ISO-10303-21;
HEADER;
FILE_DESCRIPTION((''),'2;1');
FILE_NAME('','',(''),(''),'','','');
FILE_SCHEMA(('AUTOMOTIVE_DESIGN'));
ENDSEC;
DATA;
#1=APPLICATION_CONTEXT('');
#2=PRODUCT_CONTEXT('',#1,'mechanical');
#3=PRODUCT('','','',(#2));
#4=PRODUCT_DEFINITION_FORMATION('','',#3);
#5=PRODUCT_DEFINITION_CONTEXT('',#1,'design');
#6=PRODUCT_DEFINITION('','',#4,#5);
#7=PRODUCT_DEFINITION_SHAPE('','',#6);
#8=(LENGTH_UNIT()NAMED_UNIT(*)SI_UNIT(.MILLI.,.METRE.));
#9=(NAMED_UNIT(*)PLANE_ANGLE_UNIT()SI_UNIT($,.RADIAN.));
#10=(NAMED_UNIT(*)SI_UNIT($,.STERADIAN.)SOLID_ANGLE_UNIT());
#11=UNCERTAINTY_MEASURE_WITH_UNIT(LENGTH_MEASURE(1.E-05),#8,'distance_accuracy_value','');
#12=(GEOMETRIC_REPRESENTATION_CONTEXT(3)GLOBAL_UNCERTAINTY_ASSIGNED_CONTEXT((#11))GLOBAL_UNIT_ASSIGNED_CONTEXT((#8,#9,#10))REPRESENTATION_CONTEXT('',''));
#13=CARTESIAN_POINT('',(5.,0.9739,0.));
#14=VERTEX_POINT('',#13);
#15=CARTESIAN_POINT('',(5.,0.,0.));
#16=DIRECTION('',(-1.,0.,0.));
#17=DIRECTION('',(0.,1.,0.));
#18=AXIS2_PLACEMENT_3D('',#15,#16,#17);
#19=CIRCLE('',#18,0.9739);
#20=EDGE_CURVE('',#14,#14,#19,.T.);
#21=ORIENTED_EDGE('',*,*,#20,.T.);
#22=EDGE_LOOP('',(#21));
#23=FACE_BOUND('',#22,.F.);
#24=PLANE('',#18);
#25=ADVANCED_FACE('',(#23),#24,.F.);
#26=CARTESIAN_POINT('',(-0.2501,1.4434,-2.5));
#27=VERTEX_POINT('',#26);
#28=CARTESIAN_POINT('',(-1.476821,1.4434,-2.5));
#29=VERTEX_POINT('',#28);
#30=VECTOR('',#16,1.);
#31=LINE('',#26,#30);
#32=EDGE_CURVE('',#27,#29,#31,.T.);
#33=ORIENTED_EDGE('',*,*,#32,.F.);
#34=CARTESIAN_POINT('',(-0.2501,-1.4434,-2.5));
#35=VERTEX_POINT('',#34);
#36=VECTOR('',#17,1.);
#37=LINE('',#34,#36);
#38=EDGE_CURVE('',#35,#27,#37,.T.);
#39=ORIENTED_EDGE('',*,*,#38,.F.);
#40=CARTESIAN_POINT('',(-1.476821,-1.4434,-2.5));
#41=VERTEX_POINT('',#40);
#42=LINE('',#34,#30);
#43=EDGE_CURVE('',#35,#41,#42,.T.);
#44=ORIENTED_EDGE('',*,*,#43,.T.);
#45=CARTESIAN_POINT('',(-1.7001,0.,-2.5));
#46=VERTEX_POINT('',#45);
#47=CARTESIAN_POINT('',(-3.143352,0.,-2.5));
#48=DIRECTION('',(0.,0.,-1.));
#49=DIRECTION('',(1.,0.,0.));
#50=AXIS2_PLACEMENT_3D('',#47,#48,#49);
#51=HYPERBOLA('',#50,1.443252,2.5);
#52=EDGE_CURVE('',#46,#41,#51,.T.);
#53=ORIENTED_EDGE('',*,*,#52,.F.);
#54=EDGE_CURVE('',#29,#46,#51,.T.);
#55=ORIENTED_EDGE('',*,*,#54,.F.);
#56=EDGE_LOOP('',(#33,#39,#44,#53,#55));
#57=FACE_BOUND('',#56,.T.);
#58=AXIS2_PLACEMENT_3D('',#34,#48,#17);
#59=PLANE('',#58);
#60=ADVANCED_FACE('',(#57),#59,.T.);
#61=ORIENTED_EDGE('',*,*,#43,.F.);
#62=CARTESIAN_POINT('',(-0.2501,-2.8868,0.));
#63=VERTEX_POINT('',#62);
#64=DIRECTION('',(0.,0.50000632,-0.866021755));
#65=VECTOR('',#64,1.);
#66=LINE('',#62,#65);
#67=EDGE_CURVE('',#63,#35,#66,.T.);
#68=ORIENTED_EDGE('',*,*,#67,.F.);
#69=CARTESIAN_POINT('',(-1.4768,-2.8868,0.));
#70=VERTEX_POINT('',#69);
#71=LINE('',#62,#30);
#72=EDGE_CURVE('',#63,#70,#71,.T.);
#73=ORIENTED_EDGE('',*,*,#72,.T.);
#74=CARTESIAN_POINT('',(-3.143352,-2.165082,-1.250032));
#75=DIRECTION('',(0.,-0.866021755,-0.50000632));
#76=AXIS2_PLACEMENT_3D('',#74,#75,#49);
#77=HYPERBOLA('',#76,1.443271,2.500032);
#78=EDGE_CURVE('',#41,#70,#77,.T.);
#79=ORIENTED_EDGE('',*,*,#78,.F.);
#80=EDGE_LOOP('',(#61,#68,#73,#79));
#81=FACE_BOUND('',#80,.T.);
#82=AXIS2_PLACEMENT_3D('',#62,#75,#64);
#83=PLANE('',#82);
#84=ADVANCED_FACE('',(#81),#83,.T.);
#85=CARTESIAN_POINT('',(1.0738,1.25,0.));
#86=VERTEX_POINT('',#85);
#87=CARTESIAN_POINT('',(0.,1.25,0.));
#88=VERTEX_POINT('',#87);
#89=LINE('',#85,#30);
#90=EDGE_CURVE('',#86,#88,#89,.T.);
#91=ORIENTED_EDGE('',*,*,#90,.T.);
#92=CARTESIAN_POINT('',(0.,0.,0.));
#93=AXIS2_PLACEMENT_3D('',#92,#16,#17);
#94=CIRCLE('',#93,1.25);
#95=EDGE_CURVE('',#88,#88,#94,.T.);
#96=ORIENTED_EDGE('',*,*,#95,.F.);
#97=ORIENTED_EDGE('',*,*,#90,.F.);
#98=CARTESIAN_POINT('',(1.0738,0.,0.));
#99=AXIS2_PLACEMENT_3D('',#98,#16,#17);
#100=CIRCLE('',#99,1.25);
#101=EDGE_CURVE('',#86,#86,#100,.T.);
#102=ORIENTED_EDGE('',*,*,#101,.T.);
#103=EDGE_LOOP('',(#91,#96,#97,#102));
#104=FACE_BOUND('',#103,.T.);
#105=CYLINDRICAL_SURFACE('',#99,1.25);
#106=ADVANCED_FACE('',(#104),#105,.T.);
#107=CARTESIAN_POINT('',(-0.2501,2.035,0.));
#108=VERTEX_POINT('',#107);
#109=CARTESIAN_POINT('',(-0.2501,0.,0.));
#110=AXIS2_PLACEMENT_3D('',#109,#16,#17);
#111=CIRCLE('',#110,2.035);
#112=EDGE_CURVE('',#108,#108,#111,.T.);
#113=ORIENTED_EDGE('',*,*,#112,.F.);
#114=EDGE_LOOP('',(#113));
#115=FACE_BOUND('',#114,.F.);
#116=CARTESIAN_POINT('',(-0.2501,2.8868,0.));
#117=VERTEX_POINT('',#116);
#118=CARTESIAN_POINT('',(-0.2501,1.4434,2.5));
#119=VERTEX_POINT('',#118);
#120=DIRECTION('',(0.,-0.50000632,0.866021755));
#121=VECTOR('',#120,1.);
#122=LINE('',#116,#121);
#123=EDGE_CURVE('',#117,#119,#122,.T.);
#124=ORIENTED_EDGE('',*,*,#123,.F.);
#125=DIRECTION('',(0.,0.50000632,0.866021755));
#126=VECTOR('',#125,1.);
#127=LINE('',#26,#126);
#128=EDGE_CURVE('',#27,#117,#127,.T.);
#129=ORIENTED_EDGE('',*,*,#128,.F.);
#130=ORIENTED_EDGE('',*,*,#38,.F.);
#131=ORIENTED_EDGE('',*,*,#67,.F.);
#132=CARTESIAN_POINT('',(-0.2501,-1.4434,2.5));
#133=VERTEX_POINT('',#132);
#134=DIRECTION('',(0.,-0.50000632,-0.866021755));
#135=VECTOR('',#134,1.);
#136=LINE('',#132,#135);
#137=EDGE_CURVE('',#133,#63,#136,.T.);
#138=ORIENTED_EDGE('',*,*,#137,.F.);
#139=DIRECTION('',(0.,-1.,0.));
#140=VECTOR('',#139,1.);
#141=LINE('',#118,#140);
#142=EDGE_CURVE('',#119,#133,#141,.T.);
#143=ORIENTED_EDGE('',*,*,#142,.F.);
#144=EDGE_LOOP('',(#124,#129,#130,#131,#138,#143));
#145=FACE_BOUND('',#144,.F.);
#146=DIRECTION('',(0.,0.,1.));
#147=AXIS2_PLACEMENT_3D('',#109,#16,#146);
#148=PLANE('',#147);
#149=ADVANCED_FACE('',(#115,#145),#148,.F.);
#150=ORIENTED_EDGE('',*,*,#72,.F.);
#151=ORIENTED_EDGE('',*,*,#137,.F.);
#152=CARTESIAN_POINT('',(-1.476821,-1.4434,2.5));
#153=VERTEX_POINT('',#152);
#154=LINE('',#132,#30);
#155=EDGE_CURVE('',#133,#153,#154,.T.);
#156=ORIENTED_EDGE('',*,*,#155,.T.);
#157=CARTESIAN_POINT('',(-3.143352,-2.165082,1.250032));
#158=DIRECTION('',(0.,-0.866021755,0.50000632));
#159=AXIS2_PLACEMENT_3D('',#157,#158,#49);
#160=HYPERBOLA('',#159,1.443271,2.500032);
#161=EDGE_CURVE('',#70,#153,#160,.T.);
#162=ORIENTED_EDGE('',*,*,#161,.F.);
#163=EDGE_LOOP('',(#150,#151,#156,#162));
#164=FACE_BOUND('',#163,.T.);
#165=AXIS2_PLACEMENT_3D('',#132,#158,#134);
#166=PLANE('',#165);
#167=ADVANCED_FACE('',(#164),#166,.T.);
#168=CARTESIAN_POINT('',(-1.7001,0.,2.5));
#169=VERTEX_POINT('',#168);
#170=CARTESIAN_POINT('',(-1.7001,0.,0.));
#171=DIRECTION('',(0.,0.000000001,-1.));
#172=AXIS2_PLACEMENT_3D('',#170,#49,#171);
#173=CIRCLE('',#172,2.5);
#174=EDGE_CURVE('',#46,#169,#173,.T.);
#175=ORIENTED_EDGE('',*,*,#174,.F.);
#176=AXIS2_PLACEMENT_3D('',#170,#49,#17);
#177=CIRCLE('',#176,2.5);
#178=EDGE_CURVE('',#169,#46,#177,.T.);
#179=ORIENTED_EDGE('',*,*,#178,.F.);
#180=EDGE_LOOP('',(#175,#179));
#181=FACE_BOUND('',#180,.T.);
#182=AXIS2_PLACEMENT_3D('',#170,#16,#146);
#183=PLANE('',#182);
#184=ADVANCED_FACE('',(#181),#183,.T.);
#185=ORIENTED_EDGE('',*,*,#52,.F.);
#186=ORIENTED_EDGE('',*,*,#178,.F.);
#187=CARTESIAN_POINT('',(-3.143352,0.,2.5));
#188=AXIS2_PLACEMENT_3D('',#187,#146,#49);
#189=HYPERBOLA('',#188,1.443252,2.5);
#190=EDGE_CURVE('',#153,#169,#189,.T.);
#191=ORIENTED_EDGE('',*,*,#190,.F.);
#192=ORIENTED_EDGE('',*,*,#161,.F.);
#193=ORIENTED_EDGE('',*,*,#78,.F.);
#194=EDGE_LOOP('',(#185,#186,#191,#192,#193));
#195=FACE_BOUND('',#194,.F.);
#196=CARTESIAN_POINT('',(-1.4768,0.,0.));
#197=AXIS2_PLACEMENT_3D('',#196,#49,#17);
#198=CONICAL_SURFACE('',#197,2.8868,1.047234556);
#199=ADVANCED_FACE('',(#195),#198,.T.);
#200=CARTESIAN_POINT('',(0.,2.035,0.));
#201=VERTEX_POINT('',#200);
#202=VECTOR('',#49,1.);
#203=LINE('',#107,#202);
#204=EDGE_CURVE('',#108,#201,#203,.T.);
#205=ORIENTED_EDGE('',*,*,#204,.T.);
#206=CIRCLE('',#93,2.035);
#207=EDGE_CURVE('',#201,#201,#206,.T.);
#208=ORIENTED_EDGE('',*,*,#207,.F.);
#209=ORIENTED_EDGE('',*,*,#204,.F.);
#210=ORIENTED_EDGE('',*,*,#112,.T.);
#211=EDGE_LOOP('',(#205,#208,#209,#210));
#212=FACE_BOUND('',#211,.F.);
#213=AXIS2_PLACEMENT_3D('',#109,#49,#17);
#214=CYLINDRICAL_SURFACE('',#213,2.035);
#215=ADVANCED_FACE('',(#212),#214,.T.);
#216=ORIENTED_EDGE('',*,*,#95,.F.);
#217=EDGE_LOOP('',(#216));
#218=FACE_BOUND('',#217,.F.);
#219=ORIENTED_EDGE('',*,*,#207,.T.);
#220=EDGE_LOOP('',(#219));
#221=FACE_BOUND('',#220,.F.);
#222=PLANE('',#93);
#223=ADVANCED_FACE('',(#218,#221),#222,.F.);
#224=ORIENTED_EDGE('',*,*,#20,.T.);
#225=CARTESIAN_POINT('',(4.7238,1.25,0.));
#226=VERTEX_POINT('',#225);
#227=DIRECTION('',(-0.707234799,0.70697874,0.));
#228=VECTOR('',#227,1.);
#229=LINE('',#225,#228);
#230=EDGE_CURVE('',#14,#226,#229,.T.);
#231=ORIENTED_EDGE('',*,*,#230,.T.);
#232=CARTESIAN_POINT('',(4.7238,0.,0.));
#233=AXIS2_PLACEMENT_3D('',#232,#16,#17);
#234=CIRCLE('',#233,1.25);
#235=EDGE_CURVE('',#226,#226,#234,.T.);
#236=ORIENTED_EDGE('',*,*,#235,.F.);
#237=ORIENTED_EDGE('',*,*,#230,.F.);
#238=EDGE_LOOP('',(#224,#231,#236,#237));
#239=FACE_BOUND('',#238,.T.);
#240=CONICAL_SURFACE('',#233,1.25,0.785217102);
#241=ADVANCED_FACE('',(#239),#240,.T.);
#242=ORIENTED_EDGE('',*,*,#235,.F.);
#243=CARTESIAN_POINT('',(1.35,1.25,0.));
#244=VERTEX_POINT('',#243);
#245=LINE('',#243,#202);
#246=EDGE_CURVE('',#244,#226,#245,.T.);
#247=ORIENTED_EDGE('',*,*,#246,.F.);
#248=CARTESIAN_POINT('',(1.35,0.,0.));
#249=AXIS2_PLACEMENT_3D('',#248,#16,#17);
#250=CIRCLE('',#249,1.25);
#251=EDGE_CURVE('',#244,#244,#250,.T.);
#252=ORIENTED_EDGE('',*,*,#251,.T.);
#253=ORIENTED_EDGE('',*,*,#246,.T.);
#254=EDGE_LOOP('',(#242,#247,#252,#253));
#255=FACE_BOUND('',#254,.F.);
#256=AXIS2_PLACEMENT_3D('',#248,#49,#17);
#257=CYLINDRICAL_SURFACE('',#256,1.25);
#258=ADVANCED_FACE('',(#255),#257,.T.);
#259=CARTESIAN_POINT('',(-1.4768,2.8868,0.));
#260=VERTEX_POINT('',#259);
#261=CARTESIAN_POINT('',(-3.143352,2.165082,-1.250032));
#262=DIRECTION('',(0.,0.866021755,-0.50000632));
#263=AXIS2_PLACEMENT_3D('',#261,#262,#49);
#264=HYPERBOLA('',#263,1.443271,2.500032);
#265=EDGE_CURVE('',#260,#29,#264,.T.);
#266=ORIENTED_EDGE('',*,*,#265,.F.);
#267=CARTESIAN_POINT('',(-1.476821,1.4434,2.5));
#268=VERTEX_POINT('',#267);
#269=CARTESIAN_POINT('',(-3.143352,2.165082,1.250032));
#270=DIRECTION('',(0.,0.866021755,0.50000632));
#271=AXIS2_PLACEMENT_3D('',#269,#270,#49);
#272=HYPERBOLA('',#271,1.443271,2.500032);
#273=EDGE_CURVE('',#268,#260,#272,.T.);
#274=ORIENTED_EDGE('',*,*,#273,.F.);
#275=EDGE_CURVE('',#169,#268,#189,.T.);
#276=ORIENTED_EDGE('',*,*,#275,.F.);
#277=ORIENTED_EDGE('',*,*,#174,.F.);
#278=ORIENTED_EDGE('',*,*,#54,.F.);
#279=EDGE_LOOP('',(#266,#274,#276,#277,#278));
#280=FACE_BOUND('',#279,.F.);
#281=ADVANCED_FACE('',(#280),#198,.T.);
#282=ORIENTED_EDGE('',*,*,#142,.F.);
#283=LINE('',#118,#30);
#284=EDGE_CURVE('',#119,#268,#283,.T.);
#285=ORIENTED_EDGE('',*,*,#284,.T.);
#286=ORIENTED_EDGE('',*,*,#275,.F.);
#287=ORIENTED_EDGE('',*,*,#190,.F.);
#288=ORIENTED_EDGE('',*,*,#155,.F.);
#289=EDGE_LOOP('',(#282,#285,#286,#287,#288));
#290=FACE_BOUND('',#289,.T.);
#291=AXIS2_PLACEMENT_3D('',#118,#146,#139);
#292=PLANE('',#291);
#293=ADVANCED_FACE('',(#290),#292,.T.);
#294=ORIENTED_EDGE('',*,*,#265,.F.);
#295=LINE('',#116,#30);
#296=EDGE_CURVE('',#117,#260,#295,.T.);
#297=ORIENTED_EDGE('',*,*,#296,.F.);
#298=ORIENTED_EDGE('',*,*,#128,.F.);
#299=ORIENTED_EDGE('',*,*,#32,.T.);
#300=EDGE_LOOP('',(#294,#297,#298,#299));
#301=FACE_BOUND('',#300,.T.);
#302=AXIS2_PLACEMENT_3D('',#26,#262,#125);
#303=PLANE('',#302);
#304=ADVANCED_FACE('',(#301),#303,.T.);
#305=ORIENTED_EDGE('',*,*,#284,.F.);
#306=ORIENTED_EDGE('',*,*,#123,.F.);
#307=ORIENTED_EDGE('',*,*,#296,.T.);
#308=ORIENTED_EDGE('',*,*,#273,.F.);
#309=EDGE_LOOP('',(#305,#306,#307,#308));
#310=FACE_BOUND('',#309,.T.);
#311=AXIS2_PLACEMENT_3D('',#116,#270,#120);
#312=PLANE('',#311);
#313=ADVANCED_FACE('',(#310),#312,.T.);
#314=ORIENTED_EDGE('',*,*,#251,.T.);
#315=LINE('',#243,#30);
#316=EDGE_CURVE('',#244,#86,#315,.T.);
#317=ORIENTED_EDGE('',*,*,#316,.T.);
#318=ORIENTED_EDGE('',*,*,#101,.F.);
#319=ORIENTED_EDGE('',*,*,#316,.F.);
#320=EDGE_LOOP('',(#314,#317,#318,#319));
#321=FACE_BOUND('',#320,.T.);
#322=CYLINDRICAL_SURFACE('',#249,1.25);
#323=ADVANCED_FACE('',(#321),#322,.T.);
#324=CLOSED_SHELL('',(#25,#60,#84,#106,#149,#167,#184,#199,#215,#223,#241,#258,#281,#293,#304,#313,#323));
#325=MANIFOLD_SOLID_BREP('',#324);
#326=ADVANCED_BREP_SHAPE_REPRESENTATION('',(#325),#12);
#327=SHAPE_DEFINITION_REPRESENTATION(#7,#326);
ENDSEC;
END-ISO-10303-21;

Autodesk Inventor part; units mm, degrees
ref_plane "YZ Plane" through (0, 0, 0) normal (1, 0, 0) x (0, 1, 0)
ref_plane "XZ Plane" through (0, 0, 0) normal (0, 1, 0) x (-1, 0, 0)
sketch "Sketch1" plane through (0, 0, 0) normal (0, 0, 1) x (1, 0, 0)
  line L0 (0, 2.035) -> (0, 1.25)
  line L1 (1.35, 1.25) -> (5, 1.25)
  line L2 (5, 1.25) -> (5, 0)
  line L3 (5, 0) -> (-0.2501, 0)
  line L4 (-1.3001, 0) -> (6.05, 0) projected
  line L5 (-0.2501, 0) -> (-0.2501, 2.035)
  line L6 (-0.2501, 2.035) -> (0, 2.035)
  line L7 (1.35, 1.25) -> (1.0738, 1.25)
  line L8 (1.0738, 1.25) -> (0, 1.25)
  line L9 (0, -0.407) -> (0, 2.442) projected
  dimension "d0" = 5
  dimension "d1" = 3.65
  dimension "d2" = 2.5
  dimension "d9" = 0.2501
  dimension "d10" = 4.07
  dimension "d13" = 0.2762
  dimension "d14" = 2.5
revolve "Body" add sketch "Sketch1" angle 360 about axis through (5, 0, 0) along (-1, 0, 0)
sketch "Sketch2" plane through (-0.2501, 0, 0) normal (-1, 0, 0) x (0, 0, 1)
  line L0 (0, 2.8868) -> (2.5, 1.4434)
  line L1 (2.5, 1.4434) -> (2.5, -1.4434)
  line L2 (2.5, -1.4434) -> (0, -2.8868)
  line L3 (0, -2.8868) -> (-2.5, -1.4434)
  line L4 (-2.5, -1.4434) -> (-2.5, 1.4434)
  line L5 (-2.5, 1.4434) -> (0, 2.8868)
  point P0 (0, 0)
  point P1 (0, 0)
  dimension "d11" = 5
extrude "Head" add sketch "Sketch2" along normal blind 1.45
sketch "Sketch4" plane through (0, 0, 0) normal (0, 0, 1) x (1, 0, 0)
  line L0 (-1.7001, 2.5) -> (-1.7001, 2.8868)
  line L1 (-1.7001, 2.8868) -> (-1.4768, 2.8868)
  line L2 (-1.4768, 2.8868) -> (-1.7001, 2.5)
  line L3 (-1.9901, 0) -> (0.0399, 0) projected
  line L4 (-0.2501, 2.8868) -> (-1.7001, 2.8868) projected
  line L5 (-1.7001, 1.4434) -> (-1.7001, 2.8868) projected
  dimension "d5" = 30
  dimension "d19" = 5
revolve "Chamfer1" cut sketch "Sketch4" angle 360 about axis through (-10, 0, 0) along (1, 0, 0)
thread "Thread" size "M2.5x0.45" class "6g" standard "ISO Metric profile" length 3.65
chamfer "Chamfer2" distance 0.2761 distance2 0.2762 1 edges at (5, -1.25, 0) measured on face at (5, 0.4797, -0.5195)
ref_plane "Work Plane1" through (1.525, 0, 0) normal (0, 0, 1) x (1, 0, 0)
equation "\"d0\" = NLG"
equation "\"d1\" = GEL"
equation "\"d2\" = GD"
equation "\"d10\" = SD2"
equation "\"d14\" = BDM"
equation "\"d11\" = SW"
equation "\"d3\" = KOH - SD"
equation "\"d5\" = ANG1"
equation "\"d19\" = SW0"
equation "\"d15\" = GEL"
equation "\"d6\" = -0.5 * SPD + 0.5 * GD"
equation "\"NLG\" = 5"
equation "\"GD\" = NND"
equation "\"BDM\" = NND"
equation "\"KOH\" = 1.7"
equation "\"GEL\" = 3.65"
equation "\"SW\" = 5"
equation "\"SW0\" = SW"
equation "\"SPD\" = NND - 1.2269 * PTC"
equation "\"SD2\" = 4.07"
equation "\"SD\" = 0.25"
equation "\"ANG1\" = 30deg"
equation "\"GAL\" = 0.61345 * PTC"
equation "\"GUL\" = 0.61345 * PTC"
equation "\"RR\" = 0.1"
equation "\"GD1\" = THREADDIA - 1.2269 * PTC"
equation "\"THREADDIA\" = 2.5"
equation "\"SDH\" = SD2"
equation "\"SDHG\" = 1.35"
equation "\"TOA\" = 30deg"
equation "\"PTC\" = 0.45"
equation "\"NND\" = 2.5"
equation "\"E0\" = 5.775"
properties part number "ISO 4017 - M2.5 x 5(3)" material "Stainless Steel, 440C"
